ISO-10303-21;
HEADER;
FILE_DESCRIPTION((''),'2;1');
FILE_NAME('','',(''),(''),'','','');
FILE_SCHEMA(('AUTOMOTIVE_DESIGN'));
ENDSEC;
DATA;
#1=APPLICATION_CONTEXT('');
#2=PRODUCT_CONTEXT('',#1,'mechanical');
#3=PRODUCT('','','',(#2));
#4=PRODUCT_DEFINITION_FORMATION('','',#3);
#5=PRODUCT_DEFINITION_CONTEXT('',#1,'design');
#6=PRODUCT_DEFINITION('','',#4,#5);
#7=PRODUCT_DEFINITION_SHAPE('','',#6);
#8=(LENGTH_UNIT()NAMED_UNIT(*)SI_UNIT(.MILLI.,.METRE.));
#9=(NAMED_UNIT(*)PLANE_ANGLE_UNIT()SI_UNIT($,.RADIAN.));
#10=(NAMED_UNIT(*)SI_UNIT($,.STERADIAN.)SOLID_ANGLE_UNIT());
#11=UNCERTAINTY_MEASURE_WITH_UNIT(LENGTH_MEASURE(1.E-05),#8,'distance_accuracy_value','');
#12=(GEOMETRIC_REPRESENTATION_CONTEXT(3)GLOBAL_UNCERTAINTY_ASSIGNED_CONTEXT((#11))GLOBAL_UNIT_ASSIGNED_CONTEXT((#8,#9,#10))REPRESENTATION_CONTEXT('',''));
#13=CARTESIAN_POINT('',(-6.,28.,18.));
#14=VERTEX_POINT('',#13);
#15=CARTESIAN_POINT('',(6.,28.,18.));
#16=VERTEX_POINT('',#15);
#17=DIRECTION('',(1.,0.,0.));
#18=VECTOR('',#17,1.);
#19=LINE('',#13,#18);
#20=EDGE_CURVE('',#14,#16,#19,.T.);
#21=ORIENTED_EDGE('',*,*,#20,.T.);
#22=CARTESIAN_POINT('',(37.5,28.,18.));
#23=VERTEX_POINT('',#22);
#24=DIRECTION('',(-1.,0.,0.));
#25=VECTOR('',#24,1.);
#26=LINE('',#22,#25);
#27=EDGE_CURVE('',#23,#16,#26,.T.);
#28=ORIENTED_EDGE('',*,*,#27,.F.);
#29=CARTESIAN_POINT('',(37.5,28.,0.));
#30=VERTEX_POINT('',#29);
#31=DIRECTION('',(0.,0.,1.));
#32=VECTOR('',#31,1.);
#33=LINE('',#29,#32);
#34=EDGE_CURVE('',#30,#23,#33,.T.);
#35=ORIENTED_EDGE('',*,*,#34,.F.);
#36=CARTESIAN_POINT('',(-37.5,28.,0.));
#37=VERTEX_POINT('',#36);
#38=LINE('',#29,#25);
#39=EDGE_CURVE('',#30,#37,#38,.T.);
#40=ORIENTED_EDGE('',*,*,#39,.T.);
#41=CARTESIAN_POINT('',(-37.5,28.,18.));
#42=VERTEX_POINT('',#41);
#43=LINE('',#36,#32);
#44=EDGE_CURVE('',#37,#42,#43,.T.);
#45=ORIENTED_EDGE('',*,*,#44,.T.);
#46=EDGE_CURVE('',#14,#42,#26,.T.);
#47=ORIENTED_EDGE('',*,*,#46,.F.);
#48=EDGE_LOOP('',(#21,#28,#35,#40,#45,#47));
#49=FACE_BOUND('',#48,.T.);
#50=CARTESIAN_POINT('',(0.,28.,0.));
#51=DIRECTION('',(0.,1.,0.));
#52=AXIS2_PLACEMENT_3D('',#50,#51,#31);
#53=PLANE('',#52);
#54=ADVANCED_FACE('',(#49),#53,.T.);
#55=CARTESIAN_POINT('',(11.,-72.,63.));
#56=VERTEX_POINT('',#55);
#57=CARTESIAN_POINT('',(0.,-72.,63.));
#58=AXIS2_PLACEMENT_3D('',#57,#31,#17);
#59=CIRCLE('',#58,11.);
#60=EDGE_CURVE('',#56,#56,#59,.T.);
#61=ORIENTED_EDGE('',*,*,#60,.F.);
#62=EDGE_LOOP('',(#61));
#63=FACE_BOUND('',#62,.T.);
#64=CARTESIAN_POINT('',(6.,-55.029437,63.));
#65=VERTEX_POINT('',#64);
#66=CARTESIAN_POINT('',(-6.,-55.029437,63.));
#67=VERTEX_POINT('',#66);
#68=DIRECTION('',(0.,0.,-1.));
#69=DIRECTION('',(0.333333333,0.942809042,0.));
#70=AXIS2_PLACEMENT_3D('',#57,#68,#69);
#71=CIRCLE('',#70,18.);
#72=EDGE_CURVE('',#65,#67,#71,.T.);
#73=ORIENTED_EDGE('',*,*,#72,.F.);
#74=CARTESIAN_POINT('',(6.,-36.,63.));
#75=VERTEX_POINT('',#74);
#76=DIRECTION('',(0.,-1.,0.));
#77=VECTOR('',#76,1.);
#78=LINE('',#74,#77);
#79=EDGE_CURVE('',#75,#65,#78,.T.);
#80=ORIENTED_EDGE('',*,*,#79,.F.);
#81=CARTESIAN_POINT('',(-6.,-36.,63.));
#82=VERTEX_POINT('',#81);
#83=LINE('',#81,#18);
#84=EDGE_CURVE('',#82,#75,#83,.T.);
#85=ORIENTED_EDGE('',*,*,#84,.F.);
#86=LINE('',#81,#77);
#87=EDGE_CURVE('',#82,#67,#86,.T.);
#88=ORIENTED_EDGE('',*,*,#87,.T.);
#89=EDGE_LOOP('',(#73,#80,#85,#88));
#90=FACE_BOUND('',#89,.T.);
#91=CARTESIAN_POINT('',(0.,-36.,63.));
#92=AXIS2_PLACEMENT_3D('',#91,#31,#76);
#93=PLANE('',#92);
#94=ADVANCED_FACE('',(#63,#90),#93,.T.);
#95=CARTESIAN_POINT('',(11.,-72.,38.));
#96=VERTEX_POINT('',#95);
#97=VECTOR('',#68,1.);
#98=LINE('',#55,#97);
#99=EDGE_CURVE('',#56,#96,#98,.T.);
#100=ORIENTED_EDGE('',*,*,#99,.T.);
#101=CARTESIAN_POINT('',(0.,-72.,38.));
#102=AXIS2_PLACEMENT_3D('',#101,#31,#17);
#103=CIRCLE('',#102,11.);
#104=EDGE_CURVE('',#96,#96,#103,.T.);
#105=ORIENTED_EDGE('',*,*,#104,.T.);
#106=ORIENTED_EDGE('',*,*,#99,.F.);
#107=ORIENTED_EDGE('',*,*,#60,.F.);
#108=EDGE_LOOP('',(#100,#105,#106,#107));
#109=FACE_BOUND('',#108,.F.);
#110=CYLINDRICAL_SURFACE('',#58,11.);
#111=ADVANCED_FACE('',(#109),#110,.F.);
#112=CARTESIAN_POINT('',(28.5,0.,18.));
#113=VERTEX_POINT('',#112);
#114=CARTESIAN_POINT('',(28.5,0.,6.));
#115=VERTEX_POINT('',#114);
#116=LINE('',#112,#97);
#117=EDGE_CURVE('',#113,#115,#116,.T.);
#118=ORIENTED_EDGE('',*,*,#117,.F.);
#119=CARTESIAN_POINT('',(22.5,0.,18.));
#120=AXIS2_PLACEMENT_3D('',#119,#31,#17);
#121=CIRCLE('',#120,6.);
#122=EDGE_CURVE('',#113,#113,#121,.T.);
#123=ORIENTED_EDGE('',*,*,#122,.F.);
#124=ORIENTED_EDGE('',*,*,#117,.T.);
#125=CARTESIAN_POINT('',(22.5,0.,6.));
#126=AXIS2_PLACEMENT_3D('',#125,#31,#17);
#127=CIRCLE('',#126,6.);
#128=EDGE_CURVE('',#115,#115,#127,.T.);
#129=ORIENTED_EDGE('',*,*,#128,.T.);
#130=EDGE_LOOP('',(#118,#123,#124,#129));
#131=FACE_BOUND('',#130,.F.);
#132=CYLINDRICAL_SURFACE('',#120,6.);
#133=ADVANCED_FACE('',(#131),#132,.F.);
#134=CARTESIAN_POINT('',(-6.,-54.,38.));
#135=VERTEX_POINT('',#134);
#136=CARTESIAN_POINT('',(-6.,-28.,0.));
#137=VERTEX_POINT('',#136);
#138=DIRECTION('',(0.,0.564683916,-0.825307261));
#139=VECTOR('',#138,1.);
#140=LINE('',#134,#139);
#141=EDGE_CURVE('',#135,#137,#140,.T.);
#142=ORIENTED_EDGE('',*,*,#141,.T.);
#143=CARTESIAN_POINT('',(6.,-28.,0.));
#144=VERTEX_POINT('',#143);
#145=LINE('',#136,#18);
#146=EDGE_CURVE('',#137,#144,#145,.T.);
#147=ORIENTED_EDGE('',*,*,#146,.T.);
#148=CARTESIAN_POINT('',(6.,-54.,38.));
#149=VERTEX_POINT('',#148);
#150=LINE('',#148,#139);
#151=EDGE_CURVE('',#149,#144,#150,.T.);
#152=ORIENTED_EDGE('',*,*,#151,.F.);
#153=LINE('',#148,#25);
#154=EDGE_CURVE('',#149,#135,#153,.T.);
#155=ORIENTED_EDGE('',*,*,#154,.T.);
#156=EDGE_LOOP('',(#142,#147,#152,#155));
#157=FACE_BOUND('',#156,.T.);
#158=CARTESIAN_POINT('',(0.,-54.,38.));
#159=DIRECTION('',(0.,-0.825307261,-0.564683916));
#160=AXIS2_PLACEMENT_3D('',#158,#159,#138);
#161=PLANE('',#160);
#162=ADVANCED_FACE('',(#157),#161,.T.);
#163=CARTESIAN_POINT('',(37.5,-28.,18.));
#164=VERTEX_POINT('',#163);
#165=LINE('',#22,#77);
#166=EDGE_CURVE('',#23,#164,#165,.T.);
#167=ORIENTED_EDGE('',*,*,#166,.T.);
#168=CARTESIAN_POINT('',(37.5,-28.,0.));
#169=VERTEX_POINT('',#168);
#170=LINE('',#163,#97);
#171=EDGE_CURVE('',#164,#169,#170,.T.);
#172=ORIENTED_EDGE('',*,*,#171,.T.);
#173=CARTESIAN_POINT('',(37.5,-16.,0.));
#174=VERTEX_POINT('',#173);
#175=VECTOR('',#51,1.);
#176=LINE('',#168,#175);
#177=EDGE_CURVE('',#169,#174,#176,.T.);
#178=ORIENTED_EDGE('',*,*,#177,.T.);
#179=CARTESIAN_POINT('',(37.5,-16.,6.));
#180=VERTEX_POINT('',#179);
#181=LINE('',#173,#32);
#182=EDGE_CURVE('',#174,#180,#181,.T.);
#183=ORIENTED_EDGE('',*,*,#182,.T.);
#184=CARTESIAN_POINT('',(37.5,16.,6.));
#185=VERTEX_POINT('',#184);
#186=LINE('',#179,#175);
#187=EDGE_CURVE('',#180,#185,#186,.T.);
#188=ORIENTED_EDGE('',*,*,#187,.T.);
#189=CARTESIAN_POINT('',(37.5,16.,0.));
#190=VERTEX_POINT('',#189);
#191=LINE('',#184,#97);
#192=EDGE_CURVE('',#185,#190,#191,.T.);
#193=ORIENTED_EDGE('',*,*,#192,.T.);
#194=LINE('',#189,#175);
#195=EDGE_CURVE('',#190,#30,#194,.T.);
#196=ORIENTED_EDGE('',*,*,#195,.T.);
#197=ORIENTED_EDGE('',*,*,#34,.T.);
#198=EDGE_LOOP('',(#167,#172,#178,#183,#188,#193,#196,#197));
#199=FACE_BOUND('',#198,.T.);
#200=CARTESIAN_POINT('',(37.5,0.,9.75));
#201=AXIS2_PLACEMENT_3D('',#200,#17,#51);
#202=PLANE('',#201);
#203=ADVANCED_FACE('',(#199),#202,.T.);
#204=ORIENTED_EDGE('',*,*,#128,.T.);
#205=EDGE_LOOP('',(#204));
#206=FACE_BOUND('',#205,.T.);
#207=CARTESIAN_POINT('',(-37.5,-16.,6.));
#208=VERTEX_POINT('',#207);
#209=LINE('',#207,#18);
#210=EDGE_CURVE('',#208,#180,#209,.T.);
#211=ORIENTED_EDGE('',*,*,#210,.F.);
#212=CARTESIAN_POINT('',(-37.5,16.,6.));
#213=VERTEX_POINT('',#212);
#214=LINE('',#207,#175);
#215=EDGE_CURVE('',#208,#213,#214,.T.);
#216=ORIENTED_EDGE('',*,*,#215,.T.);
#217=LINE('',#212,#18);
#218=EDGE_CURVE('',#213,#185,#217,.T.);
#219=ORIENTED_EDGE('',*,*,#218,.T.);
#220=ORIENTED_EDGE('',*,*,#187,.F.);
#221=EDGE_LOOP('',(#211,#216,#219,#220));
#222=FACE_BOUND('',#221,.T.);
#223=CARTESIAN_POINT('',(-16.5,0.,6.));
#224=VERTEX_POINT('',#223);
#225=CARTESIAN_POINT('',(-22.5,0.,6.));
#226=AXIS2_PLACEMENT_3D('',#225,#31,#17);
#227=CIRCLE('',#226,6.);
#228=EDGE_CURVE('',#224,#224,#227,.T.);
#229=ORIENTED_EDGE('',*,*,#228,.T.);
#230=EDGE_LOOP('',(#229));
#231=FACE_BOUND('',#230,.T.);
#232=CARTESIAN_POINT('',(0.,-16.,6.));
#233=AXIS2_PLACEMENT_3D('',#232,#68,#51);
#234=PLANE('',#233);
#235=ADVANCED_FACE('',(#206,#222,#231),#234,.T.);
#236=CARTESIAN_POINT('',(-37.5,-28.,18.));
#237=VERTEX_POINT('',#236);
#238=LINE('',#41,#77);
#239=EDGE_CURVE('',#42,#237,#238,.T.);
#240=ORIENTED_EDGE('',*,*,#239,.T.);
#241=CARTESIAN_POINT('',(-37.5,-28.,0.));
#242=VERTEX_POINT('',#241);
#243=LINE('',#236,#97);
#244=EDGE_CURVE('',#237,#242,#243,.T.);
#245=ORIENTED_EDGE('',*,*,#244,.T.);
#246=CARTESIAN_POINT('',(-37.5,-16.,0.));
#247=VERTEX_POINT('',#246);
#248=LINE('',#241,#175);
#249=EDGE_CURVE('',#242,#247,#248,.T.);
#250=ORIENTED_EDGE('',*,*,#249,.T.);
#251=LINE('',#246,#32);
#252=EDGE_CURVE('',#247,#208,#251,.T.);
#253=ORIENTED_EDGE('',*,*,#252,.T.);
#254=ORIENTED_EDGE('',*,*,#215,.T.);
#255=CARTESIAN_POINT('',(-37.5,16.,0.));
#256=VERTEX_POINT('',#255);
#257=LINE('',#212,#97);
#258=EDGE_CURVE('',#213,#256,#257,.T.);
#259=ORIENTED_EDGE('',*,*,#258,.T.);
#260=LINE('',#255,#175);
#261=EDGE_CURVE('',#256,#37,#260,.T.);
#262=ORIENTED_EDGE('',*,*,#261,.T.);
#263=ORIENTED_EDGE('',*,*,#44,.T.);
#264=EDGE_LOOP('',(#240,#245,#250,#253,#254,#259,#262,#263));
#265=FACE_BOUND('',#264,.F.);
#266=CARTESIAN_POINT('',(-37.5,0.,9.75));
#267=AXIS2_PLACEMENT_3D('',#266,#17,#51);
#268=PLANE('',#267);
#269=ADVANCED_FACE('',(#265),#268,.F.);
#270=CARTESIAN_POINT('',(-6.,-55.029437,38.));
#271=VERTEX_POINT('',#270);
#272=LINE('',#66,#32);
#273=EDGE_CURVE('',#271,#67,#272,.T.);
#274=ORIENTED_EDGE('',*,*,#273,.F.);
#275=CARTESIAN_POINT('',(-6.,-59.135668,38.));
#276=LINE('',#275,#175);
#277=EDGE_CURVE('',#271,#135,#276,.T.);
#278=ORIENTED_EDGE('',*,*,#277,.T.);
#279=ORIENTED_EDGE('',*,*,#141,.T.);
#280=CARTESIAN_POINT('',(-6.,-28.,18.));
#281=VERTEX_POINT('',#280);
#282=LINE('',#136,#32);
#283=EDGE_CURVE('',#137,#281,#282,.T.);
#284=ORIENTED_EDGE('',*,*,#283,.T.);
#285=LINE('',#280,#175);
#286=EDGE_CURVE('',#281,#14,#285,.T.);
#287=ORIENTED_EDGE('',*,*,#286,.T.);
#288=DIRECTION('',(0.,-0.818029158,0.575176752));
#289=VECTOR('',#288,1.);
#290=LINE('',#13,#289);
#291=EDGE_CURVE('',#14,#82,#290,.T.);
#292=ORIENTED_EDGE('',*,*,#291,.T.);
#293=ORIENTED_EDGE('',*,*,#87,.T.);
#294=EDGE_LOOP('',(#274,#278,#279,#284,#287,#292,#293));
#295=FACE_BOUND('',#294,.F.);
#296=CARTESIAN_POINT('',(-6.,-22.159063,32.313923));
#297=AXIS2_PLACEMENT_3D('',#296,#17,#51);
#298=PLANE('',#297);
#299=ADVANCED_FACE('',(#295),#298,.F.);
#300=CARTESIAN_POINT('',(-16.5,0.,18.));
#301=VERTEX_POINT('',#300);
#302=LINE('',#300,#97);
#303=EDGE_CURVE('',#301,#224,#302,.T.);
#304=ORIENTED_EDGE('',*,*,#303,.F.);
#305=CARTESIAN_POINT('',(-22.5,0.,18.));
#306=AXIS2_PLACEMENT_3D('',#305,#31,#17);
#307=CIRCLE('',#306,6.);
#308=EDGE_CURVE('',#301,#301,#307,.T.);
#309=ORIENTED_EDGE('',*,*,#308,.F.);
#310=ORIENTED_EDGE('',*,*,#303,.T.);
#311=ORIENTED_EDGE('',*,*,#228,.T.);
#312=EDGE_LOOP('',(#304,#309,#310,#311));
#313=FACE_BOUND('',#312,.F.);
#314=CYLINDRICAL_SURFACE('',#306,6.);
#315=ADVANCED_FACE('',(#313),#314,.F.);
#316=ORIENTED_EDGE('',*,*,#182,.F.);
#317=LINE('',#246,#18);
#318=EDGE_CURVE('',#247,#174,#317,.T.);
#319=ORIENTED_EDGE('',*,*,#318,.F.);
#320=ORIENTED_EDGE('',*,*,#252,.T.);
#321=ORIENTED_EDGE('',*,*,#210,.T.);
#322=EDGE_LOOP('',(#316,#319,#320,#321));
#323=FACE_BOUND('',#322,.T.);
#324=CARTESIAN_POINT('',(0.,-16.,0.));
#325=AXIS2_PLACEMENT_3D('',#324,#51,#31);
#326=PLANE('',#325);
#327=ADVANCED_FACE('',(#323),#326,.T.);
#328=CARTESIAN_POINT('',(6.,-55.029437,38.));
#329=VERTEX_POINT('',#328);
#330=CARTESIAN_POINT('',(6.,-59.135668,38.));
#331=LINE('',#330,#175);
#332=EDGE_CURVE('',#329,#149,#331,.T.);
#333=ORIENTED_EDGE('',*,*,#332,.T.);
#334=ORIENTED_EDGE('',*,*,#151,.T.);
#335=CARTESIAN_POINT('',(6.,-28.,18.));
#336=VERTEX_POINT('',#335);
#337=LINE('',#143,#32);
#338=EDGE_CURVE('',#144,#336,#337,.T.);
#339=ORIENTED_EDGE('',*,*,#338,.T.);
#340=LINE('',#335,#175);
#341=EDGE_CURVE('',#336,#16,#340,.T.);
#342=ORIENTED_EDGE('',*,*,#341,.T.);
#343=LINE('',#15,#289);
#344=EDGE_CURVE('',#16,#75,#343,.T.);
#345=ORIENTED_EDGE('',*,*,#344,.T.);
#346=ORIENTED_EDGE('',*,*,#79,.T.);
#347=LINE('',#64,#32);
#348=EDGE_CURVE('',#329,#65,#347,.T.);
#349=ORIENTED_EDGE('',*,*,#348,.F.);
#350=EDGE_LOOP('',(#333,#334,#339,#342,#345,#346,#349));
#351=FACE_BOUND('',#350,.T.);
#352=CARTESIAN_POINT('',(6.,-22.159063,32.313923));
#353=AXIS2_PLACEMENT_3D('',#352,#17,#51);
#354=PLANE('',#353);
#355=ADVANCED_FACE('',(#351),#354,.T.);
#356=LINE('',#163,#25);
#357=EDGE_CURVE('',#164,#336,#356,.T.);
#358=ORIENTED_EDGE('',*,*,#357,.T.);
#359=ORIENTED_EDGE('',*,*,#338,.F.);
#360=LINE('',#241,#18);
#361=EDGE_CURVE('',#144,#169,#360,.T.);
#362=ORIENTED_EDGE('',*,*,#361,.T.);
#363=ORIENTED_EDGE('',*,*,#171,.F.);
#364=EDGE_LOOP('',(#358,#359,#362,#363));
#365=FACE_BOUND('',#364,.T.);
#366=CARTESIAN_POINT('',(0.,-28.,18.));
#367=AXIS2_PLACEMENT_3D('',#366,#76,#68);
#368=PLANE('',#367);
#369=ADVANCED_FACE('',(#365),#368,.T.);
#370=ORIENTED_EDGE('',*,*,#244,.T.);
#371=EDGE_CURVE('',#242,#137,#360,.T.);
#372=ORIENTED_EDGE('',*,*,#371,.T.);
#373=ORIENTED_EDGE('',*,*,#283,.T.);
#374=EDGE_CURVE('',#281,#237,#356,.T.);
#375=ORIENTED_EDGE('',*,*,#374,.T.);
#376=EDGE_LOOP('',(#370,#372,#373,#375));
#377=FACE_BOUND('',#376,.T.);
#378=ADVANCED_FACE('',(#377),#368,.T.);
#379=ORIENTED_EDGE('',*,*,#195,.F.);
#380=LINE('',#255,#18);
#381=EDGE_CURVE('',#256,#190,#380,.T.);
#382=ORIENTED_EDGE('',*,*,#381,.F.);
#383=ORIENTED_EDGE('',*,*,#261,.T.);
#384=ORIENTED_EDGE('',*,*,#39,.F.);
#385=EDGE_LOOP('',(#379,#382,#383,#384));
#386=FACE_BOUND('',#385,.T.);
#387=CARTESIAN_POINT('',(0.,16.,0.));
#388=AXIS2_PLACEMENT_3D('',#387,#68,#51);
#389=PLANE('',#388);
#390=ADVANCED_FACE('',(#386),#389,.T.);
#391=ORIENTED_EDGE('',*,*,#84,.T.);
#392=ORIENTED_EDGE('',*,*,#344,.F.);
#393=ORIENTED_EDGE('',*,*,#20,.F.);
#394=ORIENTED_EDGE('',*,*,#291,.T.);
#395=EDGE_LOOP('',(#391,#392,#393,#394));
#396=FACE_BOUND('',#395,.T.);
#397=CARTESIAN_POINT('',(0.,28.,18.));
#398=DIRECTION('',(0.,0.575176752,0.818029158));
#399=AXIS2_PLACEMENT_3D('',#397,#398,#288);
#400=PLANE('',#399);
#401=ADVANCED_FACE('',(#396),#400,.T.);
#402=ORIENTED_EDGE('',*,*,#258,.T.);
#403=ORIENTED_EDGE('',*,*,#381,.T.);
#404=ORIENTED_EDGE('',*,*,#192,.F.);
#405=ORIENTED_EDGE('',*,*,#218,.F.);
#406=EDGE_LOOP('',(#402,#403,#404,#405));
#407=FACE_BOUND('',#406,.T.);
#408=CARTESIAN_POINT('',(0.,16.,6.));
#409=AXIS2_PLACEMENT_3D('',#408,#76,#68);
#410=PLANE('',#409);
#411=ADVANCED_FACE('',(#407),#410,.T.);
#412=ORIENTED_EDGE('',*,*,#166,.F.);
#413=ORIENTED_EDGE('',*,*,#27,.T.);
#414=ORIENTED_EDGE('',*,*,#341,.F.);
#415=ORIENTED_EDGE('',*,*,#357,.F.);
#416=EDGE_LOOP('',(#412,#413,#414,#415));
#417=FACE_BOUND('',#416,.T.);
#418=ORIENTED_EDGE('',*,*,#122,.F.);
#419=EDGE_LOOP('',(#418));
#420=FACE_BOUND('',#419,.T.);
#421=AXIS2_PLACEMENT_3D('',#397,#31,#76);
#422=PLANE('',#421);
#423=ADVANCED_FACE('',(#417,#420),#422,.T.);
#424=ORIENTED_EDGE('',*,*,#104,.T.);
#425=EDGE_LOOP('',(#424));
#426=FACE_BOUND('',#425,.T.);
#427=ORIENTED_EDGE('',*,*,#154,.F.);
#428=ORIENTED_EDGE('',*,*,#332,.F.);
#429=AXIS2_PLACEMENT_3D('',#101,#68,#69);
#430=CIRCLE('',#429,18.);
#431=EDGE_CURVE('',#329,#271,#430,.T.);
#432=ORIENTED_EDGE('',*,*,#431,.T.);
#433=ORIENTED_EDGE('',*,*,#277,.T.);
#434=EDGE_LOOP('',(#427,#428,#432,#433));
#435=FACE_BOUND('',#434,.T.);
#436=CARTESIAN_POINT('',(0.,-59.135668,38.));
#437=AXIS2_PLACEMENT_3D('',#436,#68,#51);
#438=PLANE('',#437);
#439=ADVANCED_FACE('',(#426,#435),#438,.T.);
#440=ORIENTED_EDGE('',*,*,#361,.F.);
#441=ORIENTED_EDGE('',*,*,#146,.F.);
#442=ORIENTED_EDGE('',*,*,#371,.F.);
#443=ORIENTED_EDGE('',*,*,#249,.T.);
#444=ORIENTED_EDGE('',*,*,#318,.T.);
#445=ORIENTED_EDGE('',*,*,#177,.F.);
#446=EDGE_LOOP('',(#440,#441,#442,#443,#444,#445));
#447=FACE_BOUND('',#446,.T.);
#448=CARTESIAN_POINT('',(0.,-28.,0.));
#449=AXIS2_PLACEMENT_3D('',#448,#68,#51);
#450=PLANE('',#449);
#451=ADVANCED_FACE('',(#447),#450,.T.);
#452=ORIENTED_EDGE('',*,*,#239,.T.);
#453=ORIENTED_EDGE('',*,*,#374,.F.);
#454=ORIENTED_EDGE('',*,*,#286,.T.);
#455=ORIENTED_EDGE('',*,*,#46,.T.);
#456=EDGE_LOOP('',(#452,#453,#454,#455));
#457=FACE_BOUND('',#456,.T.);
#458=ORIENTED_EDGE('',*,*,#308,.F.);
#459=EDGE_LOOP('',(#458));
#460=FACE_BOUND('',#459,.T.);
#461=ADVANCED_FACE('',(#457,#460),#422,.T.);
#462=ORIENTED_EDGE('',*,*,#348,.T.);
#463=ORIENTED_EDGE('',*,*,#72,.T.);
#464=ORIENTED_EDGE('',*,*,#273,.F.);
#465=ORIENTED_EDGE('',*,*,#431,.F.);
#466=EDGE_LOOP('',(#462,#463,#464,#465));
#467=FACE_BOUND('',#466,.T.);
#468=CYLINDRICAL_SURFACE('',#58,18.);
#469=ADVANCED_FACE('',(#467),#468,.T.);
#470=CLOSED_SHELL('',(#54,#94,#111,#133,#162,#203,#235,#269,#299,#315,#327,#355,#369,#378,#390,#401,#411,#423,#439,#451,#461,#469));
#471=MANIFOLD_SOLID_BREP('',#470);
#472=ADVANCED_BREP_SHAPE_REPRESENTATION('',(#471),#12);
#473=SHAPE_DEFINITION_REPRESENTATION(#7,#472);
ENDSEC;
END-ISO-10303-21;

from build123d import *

# Parameters (mm, degrees)
F1_DEPTH = 37.5
F2_R     = 6
F3_DEPTH = 25
F6_R     = 18
F6_R_2   = 11
F7_DEPTH = 25
F9_DEPTH = 6


with BuildPart() as f1:
    # F0 (on Right) → F1 (new body, symmetric)
    with BuildSketch(Plane.YZ):
        Polygon((-28, 18), (-28, 0), (-16, 0), (-16, 6), (16, 6), (16, 0), (28, 0), (28, 18), align=None)
    extrude(amount=F1_DEPTH, both=True)

    # F2 (on face) → F3 (cut)
    with BuildSketch(Plane.XY.offset(18)):
        with Locations((22.5, 0)):
            Circle(F2_R)
        with Locations((-22.5, 0)):
            Circle(F2_R)
    extrude(amount=-F3_DEPTH, mode=Mode.SUBTRACT)



with BuildPart() as f7:
    # F6 (on offset) → F7 (new body)
    with BuildSketch(Plane.XY.offset(63)):
        with Locations((0, -72)):
            Circle(F6_R)
        with Locations((0, -72)):
            Circle(F6_R_2, mode=Mode.SUBTRACT)
    extrude(amount=-F7_DEPTH)


with BuildPart() as f1_1:
    add(f1.part)

    add(f7.part)  # F9 merges F7
    # F8 (on Right) → F9 (join, symmetric)
    with BuildSketch(Plane.YZ):
        Polygon((-54, 38), (-28, 0), (-28, 18), (28, 18), (-36, 63), (-59.1356679797, 63), (-59.1356679797, 38), align=None)
    extrude(amount=F9_DEPTH, both=True)


solid = f1_1.part
